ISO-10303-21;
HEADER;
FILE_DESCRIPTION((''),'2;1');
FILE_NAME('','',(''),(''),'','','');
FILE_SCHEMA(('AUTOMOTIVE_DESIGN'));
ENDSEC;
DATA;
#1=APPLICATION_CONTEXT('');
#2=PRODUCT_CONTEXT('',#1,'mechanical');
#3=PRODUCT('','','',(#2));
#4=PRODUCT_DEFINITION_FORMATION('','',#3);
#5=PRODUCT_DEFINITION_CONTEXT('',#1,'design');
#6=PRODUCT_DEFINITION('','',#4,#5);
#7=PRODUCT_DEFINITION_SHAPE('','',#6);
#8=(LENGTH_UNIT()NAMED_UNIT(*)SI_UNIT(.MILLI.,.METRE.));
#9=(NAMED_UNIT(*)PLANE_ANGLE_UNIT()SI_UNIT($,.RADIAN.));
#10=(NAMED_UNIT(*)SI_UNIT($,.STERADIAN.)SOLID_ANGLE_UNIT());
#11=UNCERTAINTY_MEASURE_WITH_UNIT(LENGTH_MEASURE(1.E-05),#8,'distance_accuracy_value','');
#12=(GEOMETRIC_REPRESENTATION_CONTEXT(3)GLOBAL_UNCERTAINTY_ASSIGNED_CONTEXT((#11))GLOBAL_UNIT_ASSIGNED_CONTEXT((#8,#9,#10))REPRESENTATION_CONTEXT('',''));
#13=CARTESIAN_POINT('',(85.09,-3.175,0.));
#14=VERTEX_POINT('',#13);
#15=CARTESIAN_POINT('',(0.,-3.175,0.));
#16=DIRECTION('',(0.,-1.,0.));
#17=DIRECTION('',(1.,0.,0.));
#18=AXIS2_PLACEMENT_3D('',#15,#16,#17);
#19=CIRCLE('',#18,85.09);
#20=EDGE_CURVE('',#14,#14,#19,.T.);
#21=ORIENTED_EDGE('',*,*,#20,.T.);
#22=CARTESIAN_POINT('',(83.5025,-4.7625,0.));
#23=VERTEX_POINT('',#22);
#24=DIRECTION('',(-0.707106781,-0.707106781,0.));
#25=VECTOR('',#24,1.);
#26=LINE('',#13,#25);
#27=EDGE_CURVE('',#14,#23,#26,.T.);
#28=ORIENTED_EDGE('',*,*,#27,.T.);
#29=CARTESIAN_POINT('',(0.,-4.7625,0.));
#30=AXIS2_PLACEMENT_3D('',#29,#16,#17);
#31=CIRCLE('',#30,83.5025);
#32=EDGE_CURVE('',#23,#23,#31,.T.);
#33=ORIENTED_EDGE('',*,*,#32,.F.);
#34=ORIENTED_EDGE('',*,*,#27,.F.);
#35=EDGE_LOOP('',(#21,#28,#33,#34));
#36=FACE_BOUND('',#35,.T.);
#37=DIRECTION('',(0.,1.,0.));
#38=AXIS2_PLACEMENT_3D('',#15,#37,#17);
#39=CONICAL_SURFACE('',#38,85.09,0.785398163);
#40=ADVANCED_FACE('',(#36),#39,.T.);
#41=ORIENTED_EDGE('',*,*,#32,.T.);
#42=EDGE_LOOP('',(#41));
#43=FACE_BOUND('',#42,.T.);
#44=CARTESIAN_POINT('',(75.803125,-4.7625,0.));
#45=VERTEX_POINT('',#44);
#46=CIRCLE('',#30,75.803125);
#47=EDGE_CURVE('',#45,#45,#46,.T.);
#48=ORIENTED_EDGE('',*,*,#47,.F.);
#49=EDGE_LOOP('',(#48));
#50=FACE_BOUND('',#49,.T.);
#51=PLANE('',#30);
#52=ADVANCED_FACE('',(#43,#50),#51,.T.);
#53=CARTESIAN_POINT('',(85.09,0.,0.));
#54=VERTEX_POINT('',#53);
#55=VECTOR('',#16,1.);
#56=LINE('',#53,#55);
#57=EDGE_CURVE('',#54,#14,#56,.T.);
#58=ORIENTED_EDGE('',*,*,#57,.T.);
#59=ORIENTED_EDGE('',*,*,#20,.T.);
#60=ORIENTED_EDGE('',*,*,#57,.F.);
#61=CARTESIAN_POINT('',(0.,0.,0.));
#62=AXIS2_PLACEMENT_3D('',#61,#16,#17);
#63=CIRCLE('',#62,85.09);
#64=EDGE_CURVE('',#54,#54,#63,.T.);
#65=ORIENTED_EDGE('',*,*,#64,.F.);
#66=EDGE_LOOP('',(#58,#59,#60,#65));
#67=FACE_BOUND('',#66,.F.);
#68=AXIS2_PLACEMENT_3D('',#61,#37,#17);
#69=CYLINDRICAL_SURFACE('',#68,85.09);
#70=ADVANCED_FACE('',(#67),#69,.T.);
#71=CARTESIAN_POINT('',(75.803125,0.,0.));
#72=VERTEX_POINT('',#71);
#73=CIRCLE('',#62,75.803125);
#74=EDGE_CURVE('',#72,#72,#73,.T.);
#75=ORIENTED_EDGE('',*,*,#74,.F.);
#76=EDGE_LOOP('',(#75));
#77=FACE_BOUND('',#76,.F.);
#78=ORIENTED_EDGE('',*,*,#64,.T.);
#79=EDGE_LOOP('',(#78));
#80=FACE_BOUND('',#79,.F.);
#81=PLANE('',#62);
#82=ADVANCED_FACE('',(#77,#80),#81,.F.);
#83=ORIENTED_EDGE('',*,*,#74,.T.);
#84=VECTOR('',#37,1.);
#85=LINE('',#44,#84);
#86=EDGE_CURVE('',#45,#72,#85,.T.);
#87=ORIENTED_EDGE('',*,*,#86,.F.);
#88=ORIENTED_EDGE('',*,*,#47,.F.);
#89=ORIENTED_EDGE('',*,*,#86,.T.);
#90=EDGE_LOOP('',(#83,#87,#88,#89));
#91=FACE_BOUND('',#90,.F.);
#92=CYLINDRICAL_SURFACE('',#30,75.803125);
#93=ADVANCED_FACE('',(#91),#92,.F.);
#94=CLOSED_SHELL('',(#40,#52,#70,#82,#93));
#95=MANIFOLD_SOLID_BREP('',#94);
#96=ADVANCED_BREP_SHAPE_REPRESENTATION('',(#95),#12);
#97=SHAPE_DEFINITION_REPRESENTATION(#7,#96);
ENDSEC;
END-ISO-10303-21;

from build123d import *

# Parameters (mm, degrees)
F0_R     = 85.09
F1_DEPTH = 4.7625
F2_R     = 75.803125
F3_DEPTH = 4.7625
F4_SIZE  = 1.5875


with BuildPart() as f1:
    # F0 (on Front) → F1 (new body)
    with BuildSketch(Plane.XZ):
        Circle(F0_R)
    extrude(amount=F1_DEPTH)

    # F2 (on face) → F3 (cut)
    with BuildSketch(Plane.XZ.offset(4.7625)):
        Circle(F2_R)
    extrude(amount=-F3_DEPTH, mode=Mode.SUBTRACT)

    # F4
    f4_edges = [f1.edges().sort_by_distance(p)[0] for p in [
        (-85.09, -4.7625, 0),
    ]]
    chamfer(f4_edges, length=F4_SIZE)


solid = f1.part
